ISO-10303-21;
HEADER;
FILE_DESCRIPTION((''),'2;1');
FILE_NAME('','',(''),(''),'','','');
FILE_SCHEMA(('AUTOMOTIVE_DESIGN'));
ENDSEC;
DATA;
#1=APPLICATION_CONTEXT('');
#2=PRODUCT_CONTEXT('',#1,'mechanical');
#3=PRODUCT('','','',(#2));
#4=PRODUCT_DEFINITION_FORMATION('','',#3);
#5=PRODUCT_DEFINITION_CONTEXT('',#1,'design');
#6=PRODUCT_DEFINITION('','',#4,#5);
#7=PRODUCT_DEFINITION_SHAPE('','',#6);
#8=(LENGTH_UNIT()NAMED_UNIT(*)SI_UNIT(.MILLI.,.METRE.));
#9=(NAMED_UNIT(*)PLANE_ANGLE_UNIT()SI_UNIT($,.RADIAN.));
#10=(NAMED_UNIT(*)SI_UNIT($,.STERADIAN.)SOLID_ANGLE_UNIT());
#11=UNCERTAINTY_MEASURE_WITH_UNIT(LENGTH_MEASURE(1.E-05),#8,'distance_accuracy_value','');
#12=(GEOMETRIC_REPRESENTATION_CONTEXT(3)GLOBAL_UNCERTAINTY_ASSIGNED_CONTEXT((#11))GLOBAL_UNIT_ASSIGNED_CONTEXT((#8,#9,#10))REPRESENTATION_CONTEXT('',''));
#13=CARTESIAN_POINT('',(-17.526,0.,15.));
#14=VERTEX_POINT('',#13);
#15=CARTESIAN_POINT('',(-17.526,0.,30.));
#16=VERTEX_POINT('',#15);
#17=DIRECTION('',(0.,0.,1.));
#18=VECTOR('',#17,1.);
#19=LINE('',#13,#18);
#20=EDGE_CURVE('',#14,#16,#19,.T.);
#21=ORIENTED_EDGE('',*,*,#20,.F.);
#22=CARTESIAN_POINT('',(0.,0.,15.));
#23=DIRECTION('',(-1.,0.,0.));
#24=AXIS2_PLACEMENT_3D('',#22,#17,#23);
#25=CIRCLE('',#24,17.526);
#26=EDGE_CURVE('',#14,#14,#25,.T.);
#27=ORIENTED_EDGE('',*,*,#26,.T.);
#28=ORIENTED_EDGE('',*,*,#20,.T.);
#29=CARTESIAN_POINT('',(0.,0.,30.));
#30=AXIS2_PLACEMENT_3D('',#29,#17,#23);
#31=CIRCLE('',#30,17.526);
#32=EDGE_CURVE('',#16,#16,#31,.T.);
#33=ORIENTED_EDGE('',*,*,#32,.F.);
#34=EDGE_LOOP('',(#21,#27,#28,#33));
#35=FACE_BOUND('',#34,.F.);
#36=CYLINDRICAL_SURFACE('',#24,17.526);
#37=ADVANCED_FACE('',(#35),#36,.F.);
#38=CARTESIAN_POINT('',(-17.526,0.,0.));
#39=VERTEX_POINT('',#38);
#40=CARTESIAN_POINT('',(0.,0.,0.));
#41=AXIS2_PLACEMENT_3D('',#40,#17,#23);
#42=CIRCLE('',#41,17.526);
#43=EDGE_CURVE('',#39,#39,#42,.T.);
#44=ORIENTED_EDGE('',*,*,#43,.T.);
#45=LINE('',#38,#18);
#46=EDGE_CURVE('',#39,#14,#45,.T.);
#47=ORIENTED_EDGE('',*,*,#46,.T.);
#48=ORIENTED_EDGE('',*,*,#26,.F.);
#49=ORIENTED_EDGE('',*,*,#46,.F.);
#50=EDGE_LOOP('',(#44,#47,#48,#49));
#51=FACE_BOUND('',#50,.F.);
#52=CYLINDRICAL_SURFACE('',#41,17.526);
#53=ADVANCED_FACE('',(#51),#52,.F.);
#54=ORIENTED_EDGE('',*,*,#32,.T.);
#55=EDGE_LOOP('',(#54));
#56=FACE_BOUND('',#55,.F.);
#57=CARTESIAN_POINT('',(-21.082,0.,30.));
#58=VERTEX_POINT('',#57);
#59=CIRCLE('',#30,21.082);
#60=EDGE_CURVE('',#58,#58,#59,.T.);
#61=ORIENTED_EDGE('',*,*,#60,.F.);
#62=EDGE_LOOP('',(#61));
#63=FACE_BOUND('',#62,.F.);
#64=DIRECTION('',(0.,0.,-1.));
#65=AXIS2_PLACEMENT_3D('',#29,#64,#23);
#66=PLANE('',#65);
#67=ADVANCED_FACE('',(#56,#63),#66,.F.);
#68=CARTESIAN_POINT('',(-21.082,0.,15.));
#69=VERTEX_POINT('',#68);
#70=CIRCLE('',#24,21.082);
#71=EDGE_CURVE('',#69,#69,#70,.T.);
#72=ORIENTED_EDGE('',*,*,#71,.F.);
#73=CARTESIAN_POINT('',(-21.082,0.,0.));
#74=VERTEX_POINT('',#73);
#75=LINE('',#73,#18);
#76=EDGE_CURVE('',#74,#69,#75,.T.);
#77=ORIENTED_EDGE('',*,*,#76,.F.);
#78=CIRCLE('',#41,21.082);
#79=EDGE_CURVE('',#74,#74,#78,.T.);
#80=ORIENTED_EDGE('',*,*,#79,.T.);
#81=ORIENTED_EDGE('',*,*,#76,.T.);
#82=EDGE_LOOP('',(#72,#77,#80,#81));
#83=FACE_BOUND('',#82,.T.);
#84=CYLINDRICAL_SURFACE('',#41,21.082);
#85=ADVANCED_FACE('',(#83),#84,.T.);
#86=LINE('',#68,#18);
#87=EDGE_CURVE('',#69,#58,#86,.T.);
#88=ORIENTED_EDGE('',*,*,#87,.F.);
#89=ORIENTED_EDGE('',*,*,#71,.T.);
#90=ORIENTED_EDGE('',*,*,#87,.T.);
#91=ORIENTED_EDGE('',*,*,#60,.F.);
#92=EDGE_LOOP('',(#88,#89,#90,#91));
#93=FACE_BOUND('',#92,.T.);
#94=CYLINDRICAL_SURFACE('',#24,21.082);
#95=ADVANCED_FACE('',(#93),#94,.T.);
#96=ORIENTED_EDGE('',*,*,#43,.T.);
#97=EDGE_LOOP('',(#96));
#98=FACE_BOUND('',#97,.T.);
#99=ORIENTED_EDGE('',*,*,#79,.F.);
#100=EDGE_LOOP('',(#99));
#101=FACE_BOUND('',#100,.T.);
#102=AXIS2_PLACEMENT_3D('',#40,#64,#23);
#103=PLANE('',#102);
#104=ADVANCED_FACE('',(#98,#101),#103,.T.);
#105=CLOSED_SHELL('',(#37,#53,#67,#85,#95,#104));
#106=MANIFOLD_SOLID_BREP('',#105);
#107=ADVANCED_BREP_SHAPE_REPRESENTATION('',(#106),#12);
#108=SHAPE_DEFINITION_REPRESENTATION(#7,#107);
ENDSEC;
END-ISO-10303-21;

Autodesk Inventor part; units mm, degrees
ref_plane "Plano inicial" through (0, 0, 0) normal (0, 0, 1) x (1, 0, 0)
ref_plane "Plano final" through (0, 0, 30) normal (0, 0, 1) x (1, 0, 0)
sketch "Boceto" plane through (0, 0, 0) normal (0, 0, -1) x (-1, 0, 0)
  circle A0 centre (0, 0) radius 17.526
  circle A1 centre (0, 0) radius 21.082
  dimension "d0" = 42.164
  dimension "d1" = 3.556
sketch "Sketch3" plane through (0, 0, 0) normal (0, 0, 1) x (1, 0, 0)
  line L0 (0, 0) -> (10, 0)
ref_plane "Work Plane3" through (0, 0, 0) normal (0, -1, 0) x (1, 0, 0)
sketch "Sketch4" plane through (0, 0, 0) normal (0, -1, 0) x (1, 0, 0)
  line L0 (-2, 0) -> (12, 0)
  line L1 (-29.5148, 30) -> (29.5148, 30)
  dimension "d7" = 30
ref_plane "Plano de trabajo de orientación" through (0, 0, 0) normal (0, 0, -1) x (-1, 0, 0)
sketch3d "Trayectoria de barrido"
  line L0 (0, 0, 0) -> (0, 0, 15)
  line L1 (0, 0, 15) -> (0, 0, 30)
sweep "Cuerpo" add profiles "Boceto" path "Trayectoria de barrido"
equation "\"d0\" = G_H"
equation "\"d1\" = G_T"
equation "\"G_H\" = 42.164"
equation "\"G_T\" = 3.556"
equation "\"G_L\" = d7"
equation "\"G_OFFSET_START\" = 0"
equation "\"G_OFFSET_END\" = 0"
properties part number "ANSI - 1 1/4 x 0.140 - 1,181" material "Acero, suave"
